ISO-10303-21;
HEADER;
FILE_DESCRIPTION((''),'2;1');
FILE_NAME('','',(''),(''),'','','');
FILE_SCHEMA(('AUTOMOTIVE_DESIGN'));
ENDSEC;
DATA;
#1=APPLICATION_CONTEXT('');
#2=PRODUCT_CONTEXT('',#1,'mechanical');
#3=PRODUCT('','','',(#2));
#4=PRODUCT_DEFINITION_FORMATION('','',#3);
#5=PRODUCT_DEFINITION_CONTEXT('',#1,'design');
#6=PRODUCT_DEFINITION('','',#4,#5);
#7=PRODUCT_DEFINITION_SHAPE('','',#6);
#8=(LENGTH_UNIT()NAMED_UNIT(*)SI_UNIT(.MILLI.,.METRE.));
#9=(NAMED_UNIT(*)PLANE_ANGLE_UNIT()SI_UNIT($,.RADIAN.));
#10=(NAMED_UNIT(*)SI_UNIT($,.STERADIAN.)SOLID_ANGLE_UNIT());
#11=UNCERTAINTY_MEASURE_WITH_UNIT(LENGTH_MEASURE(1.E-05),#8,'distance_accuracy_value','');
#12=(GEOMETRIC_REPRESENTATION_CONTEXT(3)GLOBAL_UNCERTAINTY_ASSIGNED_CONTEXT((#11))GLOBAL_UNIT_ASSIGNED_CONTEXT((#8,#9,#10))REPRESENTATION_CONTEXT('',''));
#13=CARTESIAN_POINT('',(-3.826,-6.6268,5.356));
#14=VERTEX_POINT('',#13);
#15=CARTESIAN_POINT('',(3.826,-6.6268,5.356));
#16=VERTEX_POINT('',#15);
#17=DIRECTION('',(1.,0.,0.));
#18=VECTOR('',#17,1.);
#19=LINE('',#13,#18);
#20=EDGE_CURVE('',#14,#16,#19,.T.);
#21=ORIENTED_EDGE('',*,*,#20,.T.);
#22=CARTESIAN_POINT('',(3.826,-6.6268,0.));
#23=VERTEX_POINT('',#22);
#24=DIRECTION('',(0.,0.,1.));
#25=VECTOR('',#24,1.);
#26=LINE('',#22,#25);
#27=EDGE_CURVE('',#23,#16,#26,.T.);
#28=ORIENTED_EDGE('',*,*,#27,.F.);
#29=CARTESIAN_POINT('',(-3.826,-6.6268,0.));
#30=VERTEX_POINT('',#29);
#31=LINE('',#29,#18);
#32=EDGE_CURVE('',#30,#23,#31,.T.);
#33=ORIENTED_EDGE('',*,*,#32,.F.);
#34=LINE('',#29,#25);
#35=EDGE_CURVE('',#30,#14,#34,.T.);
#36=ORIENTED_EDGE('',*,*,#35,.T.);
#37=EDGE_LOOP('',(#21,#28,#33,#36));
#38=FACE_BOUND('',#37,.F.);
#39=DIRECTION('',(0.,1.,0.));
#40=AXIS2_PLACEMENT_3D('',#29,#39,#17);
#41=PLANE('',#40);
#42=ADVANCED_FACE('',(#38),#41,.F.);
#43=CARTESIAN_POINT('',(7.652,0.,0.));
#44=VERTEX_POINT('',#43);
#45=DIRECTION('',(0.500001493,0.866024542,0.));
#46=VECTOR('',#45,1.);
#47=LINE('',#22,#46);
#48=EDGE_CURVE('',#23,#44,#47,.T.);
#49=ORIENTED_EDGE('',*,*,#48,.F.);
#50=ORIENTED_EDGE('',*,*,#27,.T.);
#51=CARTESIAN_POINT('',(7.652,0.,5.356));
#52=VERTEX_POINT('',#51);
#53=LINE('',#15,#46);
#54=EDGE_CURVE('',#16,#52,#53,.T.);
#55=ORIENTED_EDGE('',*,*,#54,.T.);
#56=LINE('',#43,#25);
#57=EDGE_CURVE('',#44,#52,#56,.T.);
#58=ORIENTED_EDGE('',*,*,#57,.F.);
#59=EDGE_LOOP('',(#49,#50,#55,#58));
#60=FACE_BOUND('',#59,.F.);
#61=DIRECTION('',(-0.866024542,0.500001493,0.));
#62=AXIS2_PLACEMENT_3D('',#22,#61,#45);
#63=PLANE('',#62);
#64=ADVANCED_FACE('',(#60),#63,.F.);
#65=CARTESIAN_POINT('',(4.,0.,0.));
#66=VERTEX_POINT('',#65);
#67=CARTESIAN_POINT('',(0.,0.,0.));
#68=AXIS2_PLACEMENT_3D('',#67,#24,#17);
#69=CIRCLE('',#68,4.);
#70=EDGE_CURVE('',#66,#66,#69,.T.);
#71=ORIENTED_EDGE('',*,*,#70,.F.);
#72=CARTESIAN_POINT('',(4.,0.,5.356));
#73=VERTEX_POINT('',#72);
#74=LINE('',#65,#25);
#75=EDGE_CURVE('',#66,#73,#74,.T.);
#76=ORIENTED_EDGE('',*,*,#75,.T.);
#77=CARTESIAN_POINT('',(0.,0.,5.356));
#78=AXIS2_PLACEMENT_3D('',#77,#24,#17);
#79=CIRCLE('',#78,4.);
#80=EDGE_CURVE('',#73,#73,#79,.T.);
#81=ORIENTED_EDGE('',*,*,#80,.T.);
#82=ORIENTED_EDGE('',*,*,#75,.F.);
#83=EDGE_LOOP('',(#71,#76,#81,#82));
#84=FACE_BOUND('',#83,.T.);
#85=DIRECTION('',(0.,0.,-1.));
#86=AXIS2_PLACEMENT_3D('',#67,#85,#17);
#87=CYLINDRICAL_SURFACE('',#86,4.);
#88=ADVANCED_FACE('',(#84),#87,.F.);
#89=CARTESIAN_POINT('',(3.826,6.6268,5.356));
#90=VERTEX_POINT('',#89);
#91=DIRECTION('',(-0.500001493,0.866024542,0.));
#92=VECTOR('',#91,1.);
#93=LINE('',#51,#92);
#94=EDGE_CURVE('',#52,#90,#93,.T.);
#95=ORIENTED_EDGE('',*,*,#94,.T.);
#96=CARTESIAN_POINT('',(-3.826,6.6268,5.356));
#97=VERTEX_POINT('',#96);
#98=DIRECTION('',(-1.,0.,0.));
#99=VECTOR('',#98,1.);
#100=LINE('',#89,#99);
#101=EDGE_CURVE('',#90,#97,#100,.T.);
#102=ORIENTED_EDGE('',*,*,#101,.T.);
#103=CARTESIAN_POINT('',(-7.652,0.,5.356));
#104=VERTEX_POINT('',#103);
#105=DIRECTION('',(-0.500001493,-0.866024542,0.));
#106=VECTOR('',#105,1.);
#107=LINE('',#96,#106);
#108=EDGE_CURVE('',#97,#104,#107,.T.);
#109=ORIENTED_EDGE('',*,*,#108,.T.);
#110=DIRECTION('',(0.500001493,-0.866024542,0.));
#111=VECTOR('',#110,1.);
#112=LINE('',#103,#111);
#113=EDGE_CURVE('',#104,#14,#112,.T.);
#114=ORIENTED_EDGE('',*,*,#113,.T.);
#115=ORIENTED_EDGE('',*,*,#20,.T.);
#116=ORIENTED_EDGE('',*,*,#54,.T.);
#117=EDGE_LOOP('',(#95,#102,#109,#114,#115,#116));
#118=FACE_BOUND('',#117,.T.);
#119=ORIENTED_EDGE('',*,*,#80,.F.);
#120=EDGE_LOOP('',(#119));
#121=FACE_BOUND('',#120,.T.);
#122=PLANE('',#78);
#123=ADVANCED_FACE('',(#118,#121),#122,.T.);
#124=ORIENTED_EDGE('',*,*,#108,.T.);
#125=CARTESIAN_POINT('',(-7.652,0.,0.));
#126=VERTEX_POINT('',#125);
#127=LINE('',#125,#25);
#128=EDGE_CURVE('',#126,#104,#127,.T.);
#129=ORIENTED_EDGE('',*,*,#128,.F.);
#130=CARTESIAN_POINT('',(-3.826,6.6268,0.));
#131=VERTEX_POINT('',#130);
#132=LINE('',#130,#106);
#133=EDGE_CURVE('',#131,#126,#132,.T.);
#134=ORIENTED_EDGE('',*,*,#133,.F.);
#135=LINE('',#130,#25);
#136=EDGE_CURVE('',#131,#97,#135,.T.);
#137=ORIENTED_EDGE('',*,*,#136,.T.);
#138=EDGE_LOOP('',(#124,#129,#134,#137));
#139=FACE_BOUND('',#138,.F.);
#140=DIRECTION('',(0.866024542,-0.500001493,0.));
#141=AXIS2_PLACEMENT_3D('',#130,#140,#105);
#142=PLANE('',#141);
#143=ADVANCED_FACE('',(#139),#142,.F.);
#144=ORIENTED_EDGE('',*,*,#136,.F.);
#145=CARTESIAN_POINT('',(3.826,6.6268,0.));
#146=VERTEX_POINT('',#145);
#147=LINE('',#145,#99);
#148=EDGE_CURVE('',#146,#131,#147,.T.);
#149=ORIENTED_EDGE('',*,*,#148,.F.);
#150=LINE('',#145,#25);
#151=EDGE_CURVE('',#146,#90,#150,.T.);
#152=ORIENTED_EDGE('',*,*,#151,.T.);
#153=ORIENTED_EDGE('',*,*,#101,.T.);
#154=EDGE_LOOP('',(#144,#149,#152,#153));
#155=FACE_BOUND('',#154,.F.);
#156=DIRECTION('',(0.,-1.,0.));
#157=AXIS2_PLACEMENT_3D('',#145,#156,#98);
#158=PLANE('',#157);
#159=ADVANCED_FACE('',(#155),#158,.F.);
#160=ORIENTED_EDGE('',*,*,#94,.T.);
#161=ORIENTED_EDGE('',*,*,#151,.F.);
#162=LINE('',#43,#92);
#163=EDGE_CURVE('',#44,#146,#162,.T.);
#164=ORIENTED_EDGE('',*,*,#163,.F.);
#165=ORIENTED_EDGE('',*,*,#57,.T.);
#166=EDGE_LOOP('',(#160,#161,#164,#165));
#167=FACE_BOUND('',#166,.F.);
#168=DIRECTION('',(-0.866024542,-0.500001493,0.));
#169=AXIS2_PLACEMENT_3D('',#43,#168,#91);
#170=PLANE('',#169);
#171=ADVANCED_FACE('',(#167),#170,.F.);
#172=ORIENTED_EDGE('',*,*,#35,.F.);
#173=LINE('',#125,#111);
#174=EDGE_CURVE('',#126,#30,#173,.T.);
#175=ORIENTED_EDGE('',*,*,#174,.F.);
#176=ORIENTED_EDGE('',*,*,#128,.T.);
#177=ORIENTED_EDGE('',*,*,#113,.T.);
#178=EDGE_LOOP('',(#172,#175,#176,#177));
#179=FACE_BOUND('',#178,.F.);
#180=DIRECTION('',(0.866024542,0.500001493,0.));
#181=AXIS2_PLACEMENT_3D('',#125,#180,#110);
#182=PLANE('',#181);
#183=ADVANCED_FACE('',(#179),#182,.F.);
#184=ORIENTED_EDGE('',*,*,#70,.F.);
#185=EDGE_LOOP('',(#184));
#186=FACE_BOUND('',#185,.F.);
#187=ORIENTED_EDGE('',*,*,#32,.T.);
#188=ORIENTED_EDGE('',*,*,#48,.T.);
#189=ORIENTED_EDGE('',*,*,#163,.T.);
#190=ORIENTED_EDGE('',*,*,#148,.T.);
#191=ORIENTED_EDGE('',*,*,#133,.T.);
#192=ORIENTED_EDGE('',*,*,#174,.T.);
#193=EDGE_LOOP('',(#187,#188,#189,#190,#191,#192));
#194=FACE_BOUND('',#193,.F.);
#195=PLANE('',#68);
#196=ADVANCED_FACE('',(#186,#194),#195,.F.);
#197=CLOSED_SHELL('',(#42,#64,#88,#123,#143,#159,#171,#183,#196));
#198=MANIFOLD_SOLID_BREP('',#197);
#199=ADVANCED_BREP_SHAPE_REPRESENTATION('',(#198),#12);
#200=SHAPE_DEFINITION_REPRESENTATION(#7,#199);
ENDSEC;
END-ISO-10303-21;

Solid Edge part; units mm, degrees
sketch "Sketch1" plane through (0, 0, 0) normal (0, 0, 1) x (1, 0, 0)
  circle A0 centre (0, 0) radius 4
  line L0 (-3.826, 6.6268) -> (-7.652, 0)
  line L1 (-7.652, 0) -> (-3.826, -6.6268)
  line L2 (-3.826, -6.6268) -> (3.826, -6.6268)
  line L3 (3.826, -6.6268) -> (7.652, 0)
  line L4 (7.652, 0) -> (3.826, 6.6268)
  line L5 (3.826, 6.6268) -> (-3.826, 6.6268)
extrude "Protrusion1" add sketch "Sketch1" along normal blind 5.356
